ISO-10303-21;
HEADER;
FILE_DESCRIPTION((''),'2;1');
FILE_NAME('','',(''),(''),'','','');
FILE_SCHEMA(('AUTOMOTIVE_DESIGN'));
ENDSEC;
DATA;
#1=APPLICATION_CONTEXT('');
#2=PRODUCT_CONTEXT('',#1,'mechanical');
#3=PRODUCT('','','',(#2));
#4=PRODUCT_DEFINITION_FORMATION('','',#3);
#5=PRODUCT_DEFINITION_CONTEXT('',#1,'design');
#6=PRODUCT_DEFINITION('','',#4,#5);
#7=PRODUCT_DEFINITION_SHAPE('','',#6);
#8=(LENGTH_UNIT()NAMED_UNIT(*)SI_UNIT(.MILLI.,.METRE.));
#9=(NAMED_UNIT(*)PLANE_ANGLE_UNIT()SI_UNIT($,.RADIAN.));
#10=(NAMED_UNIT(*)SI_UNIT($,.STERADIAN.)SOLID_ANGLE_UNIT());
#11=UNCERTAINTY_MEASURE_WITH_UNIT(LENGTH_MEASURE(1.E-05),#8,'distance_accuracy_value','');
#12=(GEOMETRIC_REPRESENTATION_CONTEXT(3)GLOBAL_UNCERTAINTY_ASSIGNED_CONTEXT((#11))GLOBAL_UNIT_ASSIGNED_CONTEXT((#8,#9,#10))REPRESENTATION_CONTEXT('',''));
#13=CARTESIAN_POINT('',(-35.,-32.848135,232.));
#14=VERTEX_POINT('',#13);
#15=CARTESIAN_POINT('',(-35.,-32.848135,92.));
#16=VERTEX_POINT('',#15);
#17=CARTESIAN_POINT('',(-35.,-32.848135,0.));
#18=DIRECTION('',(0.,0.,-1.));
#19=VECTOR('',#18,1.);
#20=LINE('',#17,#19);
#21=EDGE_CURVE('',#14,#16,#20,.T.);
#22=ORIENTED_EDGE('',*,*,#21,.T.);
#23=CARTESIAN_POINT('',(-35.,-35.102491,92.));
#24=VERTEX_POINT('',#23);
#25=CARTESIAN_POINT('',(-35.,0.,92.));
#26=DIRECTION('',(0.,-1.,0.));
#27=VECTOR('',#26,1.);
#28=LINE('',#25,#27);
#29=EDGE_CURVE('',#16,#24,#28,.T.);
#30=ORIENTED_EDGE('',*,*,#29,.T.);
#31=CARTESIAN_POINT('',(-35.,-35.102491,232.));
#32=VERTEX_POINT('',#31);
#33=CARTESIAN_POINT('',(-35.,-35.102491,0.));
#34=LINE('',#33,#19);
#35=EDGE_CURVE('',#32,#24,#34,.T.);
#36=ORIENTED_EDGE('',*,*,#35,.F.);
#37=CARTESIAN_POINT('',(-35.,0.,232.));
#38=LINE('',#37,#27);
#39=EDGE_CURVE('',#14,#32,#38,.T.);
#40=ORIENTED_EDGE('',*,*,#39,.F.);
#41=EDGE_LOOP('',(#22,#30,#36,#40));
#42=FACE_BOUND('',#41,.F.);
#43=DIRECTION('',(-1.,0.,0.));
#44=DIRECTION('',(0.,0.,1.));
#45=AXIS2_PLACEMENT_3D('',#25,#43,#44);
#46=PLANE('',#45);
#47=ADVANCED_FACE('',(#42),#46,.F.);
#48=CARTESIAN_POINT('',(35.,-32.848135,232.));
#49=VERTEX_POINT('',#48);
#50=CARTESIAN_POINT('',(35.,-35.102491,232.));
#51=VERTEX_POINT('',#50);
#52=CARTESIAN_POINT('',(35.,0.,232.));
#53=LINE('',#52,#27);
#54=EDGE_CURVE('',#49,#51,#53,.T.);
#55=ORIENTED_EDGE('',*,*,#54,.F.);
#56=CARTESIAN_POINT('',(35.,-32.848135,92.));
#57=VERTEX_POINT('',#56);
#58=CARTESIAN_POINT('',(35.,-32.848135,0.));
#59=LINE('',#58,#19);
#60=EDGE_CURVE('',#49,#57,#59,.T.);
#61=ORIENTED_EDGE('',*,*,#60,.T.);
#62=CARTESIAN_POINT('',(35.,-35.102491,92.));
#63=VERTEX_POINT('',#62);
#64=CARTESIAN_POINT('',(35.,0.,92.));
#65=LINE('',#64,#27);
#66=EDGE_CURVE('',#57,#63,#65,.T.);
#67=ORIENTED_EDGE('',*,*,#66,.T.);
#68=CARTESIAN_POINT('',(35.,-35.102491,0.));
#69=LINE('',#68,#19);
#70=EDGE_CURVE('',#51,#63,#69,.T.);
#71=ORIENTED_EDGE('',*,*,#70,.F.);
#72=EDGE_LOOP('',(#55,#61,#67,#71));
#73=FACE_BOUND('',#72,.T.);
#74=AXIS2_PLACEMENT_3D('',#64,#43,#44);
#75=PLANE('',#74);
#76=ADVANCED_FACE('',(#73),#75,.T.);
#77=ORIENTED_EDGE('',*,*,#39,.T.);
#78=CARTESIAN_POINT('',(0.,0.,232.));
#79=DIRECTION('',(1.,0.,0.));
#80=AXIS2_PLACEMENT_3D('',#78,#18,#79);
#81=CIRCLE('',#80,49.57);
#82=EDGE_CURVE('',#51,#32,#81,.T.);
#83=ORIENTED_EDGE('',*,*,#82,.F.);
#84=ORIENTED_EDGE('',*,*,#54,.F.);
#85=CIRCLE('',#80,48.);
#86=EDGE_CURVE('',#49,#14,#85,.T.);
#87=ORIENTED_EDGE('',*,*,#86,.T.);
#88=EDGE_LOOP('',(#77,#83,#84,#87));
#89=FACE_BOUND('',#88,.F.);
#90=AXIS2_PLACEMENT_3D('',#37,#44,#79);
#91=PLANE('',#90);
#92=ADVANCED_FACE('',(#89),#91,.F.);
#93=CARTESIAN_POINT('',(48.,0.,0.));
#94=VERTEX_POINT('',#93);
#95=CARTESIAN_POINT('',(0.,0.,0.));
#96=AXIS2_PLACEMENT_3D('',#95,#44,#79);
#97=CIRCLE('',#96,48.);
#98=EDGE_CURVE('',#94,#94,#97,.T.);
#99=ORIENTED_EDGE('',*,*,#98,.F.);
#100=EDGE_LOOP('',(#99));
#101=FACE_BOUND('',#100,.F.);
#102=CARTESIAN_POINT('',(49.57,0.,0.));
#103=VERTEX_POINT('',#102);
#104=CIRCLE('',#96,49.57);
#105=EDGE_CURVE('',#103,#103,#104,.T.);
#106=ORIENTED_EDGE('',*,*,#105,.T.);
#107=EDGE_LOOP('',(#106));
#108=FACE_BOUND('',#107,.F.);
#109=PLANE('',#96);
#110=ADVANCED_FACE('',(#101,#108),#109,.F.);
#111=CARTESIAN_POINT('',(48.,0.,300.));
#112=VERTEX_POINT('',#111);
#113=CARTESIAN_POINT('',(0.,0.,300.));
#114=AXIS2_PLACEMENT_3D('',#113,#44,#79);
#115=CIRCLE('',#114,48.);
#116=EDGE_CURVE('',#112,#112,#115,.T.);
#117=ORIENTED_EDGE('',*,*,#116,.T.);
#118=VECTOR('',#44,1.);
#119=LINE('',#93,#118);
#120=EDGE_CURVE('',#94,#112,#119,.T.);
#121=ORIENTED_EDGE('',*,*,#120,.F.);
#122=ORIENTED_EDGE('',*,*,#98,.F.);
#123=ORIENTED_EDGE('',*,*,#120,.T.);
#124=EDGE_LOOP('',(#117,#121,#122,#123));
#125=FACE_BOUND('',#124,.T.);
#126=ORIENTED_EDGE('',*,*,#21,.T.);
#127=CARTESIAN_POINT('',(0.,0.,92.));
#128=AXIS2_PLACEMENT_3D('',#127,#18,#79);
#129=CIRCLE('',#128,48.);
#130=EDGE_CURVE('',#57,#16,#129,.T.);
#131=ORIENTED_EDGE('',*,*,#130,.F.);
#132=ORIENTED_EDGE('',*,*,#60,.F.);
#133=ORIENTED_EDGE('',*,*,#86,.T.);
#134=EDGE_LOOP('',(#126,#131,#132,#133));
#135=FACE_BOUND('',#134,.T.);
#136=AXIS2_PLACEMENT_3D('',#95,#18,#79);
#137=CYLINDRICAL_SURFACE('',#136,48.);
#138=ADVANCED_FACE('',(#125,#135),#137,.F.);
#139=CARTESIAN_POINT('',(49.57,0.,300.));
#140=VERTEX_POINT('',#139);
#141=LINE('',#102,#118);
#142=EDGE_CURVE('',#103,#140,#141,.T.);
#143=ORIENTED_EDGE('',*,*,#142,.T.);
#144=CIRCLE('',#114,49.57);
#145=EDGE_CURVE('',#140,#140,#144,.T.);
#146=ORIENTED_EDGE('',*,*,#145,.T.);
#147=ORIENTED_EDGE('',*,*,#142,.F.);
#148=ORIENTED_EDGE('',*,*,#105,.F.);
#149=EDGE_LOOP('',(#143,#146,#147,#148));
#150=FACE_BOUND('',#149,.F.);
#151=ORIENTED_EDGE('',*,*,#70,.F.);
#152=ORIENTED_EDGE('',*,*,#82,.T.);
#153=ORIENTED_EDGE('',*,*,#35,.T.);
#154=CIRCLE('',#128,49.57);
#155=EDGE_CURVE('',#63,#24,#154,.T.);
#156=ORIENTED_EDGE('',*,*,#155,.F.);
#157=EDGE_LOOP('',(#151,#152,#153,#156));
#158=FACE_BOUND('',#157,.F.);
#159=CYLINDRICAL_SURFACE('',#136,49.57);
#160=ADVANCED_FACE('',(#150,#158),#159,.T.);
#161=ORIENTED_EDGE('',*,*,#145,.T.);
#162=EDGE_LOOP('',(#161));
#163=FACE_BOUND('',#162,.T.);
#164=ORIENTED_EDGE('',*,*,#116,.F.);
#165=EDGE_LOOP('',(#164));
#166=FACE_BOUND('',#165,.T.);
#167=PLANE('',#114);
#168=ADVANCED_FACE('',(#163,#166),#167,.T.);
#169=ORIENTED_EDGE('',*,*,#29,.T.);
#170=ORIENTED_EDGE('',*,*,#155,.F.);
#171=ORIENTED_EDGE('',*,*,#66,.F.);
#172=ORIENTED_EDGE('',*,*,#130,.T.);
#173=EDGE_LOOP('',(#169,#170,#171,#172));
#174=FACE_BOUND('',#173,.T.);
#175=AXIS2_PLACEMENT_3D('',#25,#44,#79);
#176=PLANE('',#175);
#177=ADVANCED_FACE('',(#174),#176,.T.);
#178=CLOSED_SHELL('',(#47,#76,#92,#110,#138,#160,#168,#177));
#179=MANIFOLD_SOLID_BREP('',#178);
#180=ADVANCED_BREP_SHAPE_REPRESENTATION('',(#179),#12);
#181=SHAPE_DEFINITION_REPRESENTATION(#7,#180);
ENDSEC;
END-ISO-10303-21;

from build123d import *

# Parameters (mm, degrees)
F0_R     = 49.57
F0_R_2   = 48
F1_DEPTH = 300
F2_W     = 70
F2_H     = 140
F3_DEPTH = 100


with BuildPart() as f1:
    # F0 (on Top) → F1 (new body)
    with BuildSketch(Plane.XY):
        Circle(F0_R)
        Circle(F0_R_2, mode=Mode.SUBTRACT)
    extrude(amount=F1_DEPTH)

    # F2 (on Front) → F3 (cut)
    with BuildSketch(Plane.XZ):
        with Locations((0, 162)):
            Rectangle(F2_W, F2_H)
    extrude(amount=F3_DEPTH, mode=Mode.SUBTRACT)


solid = f1.part
